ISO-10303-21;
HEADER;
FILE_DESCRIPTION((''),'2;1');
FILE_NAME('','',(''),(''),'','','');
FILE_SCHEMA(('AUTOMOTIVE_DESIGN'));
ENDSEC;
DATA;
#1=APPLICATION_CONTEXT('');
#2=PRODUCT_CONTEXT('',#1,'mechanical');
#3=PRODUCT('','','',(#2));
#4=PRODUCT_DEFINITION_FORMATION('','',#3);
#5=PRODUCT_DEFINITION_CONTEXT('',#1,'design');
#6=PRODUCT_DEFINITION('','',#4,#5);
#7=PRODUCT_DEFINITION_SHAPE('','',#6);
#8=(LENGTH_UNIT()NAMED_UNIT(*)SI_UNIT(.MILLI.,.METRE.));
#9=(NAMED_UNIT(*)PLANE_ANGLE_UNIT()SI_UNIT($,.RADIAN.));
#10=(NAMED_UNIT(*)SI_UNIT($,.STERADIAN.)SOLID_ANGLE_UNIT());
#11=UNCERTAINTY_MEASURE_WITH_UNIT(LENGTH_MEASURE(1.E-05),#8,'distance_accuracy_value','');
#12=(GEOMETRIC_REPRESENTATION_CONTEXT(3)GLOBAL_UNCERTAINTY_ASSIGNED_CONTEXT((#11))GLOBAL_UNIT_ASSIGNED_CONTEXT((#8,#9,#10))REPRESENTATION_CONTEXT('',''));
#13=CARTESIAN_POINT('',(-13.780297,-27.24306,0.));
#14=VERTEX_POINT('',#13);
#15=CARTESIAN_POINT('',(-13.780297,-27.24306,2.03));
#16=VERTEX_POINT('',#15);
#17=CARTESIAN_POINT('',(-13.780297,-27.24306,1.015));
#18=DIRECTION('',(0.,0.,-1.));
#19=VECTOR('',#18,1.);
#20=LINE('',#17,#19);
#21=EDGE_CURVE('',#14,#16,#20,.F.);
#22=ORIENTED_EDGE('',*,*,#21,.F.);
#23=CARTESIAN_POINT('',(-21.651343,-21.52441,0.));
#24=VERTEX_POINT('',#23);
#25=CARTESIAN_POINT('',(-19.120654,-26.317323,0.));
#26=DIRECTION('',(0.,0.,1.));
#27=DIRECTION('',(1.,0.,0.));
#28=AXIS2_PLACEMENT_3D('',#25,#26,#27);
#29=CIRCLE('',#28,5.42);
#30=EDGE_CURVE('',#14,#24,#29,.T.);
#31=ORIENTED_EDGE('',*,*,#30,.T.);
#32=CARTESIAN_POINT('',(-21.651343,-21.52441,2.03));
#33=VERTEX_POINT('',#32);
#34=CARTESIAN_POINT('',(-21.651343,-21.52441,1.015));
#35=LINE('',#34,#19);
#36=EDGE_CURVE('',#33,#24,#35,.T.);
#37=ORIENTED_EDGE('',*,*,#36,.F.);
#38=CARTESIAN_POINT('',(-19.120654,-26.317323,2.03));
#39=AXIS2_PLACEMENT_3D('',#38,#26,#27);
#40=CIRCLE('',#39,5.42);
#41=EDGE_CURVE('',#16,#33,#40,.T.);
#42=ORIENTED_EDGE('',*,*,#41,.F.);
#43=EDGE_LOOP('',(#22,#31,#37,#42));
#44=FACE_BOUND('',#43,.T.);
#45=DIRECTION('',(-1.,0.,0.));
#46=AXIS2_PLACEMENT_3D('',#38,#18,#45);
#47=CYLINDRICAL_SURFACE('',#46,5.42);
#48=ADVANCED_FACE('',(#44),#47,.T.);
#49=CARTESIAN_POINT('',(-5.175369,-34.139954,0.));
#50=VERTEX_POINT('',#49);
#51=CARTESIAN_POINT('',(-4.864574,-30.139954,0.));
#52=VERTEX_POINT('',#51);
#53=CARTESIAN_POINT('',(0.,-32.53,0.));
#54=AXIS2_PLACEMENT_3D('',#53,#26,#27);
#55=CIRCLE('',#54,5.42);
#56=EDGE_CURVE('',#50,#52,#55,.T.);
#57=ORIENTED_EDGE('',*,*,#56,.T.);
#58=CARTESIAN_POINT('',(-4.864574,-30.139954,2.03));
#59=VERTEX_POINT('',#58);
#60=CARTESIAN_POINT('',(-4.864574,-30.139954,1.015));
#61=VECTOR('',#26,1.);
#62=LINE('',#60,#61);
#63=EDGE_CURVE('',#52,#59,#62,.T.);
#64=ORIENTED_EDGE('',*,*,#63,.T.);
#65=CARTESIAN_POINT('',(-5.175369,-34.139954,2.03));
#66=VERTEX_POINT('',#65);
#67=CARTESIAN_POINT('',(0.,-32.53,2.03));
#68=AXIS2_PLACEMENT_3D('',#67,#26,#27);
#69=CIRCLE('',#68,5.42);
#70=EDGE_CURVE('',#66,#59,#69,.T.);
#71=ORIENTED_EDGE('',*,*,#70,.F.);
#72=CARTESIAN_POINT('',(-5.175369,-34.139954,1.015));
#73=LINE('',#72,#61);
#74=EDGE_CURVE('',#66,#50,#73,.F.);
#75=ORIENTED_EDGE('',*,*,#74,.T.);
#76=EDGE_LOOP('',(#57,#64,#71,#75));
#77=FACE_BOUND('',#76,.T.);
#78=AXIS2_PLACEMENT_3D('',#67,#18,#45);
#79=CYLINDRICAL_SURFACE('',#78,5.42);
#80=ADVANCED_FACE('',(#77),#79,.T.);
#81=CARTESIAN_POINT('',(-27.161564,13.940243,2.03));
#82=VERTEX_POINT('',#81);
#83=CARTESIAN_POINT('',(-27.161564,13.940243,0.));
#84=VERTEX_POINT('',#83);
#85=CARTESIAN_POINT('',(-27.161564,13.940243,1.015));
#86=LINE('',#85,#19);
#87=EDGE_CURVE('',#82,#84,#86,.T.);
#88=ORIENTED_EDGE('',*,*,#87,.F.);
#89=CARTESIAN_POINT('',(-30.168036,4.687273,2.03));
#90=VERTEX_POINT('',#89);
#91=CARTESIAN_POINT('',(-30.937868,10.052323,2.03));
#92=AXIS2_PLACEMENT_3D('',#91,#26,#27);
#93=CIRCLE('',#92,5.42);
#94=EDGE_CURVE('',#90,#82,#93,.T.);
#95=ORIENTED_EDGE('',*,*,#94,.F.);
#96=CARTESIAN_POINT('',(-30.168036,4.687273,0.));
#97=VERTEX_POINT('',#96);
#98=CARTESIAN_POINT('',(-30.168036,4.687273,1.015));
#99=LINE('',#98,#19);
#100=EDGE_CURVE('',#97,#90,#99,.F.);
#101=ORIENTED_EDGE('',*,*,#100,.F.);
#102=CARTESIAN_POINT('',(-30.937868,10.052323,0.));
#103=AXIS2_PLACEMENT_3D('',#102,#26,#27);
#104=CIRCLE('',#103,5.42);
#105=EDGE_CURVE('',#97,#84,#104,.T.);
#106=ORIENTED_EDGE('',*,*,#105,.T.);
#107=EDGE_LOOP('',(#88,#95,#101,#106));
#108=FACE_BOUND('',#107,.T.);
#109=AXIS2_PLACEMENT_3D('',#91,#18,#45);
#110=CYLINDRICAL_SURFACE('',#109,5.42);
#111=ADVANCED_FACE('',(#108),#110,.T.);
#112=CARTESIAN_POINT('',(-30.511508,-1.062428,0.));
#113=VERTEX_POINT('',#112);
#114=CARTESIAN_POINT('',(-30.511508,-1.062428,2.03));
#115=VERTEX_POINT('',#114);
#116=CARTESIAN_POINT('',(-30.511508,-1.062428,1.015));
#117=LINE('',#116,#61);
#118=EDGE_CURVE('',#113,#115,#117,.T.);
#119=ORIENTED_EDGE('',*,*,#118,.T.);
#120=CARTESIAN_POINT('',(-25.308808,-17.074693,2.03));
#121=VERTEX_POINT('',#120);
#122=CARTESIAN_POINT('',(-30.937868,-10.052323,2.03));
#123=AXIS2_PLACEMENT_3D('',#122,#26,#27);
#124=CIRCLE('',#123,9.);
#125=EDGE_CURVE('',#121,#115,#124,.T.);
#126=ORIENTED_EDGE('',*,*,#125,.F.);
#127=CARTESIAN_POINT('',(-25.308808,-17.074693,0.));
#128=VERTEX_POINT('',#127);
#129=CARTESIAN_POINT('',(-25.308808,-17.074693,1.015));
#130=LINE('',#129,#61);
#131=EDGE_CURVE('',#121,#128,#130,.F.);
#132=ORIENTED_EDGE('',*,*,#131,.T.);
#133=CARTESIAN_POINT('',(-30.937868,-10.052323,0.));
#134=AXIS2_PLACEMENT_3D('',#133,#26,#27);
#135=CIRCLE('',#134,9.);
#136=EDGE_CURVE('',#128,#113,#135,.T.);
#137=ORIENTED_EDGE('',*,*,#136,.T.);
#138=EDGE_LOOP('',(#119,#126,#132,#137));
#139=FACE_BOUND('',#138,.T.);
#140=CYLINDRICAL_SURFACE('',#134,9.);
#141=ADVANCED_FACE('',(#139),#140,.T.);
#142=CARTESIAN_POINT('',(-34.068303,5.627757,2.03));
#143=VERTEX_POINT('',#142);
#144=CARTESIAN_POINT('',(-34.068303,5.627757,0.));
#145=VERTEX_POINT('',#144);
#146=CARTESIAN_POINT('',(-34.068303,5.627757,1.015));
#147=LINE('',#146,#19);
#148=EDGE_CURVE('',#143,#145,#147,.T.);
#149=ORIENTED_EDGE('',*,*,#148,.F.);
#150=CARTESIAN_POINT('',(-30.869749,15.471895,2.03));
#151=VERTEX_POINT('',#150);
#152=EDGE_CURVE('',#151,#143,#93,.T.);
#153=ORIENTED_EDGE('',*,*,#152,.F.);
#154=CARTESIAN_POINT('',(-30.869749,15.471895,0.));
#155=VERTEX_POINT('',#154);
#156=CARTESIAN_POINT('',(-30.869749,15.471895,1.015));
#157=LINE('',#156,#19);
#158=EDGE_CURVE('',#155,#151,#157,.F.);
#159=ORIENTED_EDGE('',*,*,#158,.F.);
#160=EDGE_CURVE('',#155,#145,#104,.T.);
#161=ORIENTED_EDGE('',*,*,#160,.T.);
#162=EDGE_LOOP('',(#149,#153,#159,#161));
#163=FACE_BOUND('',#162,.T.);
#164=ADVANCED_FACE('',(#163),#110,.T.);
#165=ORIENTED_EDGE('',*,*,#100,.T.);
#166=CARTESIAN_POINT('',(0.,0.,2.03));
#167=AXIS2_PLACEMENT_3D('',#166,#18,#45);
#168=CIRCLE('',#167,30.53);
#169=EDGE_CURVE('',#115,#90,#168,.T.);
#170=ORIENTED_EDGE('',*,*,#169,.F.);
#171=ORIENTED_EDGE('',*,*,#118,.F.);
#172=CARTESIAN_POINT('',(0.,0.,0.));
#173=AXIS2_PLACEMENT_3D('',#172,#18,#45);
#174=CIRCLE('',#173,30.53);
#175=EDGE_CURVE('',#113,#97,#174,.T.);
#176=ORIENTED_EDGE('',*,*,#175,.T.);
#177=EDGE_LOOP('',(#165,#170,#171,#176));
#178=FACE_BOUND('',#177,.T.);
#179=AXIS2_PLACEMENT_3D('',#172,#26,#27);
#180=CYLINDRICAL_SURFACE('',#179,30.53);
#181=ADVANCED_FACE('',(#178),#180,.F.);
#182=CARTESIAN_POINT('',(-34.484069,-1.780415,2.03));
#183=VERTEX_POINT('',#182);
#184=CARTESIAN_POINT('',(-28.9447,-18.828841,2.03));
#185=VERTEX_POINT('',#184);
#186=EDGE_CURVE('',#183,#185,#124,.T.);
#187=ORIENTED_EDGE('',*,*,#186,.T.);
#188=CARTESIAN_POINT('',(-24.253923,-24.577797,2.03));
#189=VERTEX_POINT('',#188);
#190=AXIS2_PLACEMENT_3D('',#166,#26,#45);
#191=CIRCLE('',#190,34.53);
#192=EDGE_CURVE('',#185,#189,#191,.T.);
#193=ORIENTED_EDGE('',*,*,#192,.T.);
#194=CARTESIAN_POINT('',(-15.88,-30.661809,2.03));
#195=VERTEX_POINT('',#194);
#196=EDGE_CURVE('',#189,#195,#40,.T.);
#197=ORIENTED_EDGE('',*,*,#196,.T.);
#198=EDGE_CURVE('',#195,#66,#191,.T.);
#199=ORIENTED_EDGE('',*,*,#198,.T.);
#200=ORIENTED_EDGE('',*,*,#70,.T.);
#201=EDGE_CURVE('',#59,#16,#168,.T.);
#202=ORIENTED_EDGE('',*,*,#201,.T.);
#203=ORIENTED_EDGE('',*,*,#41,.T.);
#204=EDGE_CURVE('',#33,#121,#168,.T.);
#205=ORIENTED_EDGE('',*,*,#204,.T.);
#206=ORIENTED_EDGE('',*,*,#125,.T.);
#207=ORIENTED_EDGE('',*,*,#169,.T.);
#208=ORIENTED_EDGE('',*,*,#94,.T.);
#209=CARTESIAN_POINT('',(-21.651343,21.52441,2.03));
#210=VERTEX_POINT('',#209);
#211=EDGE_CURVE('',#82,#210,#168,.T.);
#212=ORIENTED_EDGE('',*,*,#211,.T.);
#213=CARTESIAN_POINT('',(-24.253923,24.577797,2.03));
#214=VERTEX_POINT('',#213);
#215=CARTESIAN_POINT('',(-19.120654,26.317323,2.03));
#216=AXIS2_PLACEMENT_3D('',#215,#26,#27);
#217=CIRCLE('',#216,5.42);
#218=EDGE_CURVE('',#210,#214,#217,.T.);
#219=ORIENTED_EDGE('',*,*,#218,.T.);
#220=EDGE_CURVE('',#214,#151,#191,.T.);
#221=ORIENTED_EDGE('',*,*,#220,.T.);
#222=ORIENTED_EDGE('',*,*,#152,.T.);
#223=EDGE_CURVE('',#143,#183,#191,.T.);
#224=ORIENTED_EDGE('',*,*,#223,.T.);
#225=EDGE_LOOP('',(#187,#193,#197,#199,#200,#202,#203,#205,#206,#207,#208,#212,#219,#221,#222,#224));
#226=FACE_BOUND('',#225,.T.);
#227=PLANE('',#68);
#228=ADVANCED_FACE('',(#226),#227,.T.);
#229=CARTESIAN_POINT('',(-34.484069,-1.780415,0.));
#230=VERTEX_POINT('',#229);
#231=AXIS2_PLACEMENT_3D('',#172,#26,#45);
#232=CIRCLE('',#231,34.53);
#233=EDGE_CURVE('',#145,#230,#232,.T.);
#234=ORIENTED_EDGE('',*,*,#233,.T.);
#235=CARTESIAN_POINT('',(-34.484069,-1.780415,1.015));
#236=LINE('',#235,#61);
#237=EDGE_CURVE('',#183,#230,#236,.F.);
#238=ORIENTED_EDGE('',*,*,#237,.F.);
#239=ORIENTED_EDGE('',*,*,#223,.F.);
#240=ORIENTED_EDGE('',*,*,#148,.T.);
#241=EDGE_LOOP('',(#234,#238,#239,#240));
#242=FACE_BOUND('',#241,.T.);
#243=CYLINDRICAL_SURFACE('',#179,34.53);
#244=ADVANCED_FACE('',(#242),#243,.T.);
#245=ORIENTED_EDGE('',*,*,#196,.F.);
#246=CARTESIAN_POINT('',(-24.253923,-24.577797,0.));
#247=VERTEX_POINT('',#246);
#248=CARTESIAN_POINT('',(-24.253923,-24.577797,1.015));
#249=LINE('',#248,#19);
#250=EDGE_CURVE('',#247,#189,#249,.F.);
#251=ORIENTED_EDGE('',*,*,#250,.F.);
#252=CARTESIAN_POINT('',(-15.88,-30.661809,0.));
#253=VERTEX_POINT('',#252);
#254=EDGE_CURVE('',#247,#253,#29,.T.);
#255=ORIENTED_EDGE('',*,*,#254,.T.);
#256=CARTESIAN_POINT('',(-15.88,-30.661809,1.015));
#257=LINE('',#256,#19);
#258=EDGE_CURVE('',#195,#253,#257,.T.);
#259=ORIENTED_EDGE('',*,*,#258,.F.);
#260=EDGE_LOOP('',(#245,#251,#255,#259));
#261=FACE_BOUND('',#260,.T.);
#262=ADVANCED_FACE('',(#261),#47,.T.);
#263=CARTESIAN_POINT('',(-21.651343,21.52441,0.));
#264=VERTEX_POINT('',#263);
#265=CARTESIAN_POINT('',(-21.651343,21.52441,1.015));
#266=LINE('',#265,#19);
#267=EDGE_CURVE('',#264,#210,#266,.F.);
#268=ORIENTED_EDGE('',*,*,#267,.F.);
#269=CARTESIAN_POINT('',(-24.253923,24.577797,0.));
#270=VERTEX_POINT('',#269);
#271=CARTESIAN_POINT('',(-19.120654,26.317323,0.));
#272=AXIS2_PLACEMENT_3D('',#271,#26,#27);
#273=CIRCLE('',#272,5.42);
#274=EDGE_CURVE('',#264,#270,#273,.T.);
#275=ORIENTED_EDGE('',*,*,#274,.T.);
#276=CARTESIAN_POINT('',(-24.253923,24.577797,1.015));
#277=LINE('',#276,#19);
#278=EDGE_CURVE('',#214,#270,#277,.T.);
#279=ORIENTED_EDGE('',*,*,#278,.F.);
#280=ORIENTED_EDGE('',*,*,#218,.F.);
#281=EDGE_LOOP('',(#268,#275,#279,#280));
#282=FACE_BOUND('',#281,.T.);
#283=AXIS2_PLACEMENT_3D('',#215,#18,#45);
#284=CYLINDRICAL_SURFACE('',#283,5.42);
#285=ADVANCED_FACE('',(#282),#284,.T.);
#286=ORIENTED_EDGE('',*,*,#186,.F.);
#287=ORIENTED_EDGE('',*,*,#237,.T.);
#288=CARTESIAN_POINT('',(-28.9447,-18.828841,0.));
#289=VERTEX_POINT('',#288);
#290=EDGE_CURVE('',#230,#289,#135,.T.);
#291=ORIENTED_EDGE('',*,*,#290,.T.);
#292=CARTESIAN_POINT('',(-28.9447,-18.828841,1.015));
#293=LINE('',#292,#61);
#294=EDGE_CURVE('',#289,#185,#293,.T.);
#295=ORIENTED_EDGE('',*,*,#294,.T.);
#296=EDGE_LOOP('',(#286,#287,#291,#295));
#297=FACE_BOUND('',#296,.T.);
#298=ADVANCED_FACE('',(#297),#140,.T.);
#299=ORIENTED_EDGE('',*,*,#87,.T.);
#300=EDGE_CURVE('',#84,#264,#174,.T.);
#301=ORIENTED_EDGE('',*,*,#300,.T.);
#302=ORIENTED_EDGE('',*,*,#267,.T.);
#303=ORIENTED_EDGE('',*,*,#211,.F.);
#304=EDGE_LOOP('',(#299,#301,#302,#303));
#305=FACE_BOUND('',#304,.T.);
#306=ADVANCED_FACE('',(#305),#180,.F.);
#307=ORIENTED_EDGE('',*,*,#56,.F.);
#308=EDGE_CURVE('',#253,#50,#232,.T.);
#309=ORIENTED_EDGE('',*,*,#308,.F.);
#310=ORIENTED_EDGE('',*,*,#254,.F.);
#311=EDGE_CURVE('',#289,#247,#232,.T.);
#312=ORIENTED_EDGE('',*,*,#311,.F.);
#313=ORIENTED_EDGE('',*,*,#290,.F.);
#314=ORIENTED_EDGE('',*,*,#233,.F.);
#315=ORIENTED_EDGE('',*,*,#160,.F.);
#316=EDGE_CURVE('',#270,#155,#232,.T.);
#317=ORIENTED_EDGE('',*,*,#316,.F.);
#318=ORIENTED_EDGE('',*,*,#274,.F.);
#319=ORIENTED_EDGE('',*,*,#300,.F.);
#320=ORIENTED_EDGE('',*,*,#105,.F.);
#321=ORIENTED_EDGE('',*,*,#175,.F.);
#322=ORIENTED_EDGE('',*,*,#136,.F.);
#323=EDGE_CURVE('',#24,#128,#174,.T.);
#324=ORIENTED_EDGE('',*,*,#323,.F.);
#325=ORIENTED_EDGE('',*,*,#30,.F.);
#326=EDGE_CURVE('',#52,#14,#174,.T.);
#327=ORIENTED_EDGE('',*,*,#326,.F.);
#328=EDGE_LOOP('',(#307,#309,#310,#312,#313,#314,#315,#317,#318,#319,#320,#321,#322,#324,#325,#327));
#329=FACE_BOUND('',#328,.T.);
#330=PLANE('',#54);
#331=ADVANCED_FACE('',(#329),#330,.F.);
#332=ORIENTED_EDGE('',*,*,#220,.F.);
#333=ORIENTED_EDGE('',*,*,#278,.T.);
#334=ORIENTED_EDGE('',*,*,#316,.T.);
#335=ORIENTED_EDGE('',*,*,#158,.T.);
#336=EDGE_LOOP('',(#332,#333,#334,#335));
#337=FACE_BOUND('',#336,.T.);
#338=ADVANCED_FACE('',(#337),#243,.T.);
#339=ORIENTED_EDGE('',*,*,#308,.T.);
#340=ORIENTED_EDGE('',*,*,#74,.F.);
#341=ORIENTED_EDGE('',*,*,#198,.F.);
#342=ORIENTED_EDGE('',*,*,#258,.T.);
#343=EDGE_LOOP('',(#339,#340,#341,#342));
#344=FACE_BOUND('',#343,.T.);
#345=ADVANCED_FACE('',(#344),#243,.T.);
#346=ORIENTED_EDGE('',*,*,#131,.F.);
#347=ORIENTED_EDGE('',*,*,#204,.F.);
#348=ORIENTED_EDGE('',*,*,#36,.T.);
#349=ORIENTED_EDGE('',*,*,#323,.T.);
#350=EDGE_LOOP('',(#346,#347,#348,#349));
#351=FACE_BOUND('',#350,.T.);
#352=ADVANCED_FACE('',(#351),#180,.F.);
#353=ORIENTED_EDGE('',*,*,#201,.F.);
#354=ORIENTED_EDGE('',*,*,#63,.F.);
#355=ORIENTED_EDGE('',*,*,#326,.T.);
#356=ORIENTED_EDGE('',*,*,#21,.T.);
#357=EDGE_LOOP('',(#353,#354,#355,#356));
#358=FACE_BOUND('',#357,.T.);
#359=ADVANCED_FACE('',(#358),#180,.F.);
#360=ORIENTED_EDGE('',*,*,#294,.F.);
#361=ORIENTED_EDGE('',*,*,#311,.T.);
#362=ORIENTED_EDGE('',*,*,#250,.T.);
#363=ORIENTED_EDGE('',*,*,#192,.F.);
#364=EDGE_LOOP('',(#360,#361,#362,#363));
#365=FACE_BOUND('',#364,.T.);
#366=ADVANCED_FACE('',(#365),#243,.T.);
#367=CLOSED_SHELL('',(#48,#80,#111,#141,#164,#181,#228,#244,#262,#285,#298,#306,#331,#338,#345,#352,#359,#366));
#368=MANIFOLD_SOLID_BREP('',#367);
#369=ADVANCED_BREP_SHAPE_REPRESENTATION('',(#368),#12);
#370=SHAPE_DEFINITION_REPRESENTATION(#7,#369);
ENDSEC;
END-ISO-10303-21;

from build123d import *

# Parameters (mm, degrees)
SKETCH1_R             = 5.42
BOSS_EXTRUDE1_DEPTH   = 2.03
BOSS_EXTRUDE1_2_DEPTH = 2.03
BOSS_EXTRUDE1_3_DEPTH = 2.03
BOSS_EXTRUDE1_4_DEPTH = 2.03
BOSS_EXTRUDE1_5_DEPTH = 2.03
BOSS_EXTRUDE2_DEPTH   = 2.03
SKETCH3_R             = 9
BOSS_EXTRUDE3_DEPTH   = 2.03


with BuildPart() as part:
    # Sketch1 → Boss-Extrude1 (new body)
    with BuildSketch(Plane.XY):
        with Locations((0, -32.53)):
            Circle(SKETCH1_R)
    extrude(amount=BOSS_EXTRUDE1_DEPTH)



with BuildPart() as body_2:
    # Sketch1 → Boss-Extrude1 2 (new body)
    with BuildSketch(Plane.XY):
        with Locations((-19.120654257, -26.317322827)):
            Circle(SKETCH1_R)
    extrude(amount=BOSS_EXTRUDE1_2_DEPTH)


with BuildPart() as body_3:
    # Sketch1 → Boss-Extrude1 3 (new body)
    with BuildSketch(Plane.XY):
        with Locations((-30.937868475, -10.052322827)):
            Circle(SKETCH1_R)
    extrude(amount=BOSS_EXTRUDE1_3_DEPTH)


with BuildPart() as body_4:
    # Sketch1 → Boss-Extrude1 4 (new body)
    with BuildSketch(Plane.XY):
        with Locations((-30.937868475, 10.052322827)):
            Circle(SKETCH1_R)
    extrude(amount=BOSS_EXTRUDE1_4_DEPTH)


with BuildPart() as body_5:
    # Sketch1 → Boss-Extrude1 5 (new body)
    with BuildSketch(Plane.XY):
        with Locations((-19.120654257, 26.317322827)):
            Circle(SKETCH1_R)
    extrude(amount=BOSS_EXTRUDE1_5_DEPTH)


with BuildPart() as part_1:
    add(part.part)

    add(body_2.part)  # Boss-Extrude2 merges body 2

    add(body_3.part)  # Boss-Extrude2 merges body 3

    add(body_4.part)  # Boss-Extrude2 merges body 4

    add(body_5.part)  # Boss-Extrude2 merges body 5
    # Sketch2 → Boss-Extrude2 (add)
    with BuildSketch(Plane.XY.offset(2.03)):
        with BuildLine():
            Line((-20.296224762, 27.935356816), (-17.945083752, 24.699288838))
            ThreePointArc((-17.945083752, 24.699288838), (-29.035755442, -9.434288838), (0, -30.53))
            Line((0, -30.53), (0, -34.53))
            ThreePointArc((0, -34.53), (-32.839981508, -10.670356816), (-20.296224762, 27.935356816))
        make_face()
    extrude(amount=-BOSS_EXTRUDE2_DEPTH)

    # Sketch3 → Boss-Extrude3 (add)
    with BuildSketch(Plane.XY.offset(2.03)):
        with Locations((-30.937868475, -10.052322827)):
            Circle(SKETCH3_R)
    extrude(amount=-BOSS_EXTRUDE3_DEPTH)


solid = part_1.part
